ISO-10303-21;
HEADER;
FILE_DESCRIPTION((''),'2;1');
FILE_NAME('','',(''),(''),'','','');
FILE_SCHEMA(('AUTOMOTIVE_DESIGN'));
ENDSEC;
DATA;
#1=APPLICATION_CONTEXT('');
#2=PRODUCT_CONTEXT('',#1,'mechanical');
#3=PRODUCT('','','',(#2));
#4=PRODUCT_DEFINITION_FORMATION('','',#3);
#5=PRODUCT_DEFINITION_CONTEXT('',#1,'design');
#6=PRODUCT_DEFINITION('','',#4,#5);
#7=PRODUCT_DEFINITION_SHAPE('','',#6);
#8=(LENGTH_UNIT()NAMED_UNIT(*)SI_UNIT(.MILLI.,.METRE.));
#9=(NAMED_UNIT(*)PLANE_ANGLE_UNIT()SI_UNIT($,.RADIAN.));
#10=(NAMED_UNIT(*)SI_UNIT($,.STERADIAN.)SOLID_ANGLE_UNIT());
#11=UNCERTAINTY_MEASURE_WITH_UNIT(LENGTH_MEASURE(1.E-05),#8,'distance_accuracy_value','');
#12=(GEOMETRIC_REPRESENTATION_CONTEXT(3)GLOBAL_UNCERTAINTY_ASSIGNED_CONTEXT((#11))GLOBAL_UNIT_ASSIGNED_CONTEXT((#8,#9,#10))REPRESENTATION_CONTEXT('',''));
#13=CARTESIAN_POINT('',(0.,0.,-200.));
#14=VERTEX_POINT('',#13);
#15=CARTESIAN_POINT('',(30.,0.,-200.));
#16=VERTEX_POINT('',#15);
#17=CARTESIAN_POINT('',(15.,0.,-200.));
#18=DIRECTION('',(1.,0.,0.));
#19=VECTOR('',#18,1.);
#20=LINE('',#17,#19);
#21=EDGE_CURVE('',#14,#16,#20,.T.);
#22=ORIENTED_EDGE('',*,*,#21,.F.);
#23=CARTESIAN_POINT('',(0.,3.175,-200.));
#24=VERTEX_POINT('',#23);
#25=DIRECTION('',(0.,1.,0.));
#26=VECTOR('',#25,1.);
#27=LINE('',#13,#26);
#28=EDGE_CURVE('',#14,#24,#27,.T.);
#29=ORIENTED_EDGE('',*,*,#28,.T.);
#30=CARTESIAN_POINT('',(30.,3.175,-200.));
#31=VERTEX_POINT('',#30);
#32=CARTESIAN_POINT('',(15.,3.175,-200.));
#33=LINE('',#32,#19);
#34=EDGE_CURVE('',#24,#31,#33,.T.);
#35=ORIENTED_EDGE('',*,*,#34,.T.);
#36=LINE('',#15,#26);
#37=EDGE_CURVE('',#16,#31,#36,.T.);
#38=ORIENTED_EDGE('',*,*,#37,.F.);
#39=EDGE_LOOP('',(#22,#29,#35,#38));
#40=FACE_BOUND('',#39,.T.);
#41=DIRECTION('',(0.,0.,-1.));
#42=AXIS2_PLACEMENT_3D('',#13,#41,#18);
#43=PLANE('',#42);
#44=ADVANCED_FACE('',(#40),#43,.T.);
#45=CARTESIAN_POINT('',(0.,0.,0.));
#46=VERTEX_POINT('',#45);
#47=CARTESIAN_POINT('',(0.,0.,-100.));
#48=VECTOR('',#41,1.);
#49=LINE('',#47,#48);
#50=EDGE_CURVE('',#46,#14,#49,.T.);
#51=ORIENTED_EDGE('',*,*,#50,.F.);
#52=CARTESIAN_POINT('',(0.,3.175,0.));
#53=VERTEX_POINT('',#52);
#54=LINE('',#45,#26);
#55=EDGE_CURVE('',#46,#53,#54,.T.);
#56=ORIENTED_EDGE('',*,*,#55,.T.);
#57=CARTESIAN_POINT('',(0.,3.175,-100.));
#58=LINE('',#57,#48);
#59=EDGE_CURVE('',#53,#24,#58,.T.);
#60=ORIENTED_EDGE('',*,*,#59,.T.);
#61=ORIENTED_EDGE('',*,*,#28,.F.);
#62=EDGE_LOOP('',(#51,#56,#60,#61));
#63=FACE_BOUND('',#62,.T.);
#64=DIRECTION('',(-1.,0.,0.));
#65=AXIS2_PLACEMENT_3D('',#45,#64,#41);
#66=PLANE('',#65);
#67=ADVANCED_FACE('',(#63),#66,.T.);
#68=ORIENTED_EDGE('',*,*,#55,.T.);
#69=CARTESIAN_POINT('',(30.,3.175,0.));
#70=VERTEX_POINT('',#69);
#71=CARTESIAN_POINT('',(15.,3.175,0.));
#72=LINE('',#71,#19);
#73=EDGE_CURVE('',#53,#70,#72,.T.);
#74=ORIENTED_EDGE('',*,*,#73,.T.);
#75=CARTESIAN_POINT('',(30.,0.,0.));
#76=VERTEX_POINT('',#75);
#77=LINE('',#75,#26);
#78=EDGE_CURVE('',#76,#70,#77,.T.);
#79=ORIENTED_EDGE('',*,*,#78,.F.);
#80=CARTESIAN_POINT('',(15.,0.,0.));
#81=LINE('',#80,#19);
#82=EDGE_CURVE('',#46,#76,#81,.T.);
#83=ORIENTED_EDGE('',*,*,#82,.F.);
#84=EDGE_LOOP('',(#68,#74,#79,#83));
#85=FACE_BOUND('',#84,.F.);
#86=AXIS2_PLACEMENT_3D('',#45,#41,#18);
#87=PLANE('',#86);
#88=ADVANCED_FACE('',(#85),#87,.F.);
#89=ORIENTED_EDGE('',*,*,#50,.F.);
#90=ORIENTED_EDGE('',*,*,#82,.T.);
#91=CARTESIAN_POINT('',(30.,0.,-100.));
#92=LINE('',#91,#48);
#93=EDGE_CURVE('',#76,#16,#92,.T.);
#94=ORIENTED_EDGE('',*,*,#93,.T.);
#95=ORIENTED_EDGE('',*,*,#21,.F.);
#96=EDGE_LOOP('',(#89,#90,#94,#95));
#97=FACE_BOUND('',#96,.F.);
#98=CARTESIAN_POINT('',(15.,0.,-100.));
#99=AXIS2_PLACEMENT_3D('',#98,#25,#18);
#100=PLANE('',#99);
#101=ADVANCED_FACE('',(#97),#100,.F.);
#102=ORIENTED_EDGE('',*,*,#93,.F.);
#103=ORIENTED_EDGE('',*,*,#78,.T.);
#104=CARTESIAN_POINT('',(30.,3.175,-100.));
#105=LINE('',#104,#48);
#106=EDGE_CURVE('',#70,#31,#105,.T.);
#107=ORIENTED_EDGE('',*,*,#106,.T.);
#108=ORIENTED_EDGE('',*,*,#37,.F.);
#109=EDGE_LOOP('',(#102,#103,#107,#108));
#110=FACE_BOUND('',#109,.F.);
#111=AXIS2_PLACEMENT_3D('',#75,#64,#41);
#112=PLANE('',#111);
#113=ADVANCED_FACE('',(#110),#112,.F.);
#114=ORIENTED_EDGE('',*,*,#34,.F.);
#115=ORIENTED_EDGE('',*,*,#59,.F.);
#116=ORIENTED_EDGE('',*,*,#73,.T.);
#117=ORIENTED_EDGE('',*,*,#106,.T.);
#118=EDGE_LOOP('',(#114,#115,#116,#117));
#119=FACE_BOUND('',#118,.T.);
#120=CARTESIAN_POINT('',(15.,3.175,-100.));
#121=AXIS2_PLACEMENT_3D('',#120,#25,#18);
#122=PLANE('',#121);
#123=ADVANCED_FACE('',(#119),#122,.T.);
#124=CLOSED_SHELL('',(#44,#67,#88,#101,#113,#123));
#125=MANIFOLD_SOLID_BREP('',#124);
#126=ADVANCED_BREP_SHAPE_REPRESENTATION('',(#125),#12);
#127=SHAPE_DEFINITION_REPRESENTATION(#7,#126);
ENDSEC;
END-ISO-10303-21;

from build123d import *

# Parameters (mm, degrees)
SKETCH1_W           = 30
SKETCH1_H           = 200
BOSS_EXTRUDE1_DEPTH = 3.175


with BuildPart() as part:
    # Sketch1 → Boss-Extrude1 (new body)
    with BuildSketch(Plane(origin=(0, 0, 0), x_dir=(1, 0, 0), z_dir=(0, 1, 0))):
        with Locations((15, 100)):
            Rectangle(SKETCH1_W, SKETCH1_H)
    extrude(amount=BOSS_EXTRUDE1_DEPTH)


solid = part.part
